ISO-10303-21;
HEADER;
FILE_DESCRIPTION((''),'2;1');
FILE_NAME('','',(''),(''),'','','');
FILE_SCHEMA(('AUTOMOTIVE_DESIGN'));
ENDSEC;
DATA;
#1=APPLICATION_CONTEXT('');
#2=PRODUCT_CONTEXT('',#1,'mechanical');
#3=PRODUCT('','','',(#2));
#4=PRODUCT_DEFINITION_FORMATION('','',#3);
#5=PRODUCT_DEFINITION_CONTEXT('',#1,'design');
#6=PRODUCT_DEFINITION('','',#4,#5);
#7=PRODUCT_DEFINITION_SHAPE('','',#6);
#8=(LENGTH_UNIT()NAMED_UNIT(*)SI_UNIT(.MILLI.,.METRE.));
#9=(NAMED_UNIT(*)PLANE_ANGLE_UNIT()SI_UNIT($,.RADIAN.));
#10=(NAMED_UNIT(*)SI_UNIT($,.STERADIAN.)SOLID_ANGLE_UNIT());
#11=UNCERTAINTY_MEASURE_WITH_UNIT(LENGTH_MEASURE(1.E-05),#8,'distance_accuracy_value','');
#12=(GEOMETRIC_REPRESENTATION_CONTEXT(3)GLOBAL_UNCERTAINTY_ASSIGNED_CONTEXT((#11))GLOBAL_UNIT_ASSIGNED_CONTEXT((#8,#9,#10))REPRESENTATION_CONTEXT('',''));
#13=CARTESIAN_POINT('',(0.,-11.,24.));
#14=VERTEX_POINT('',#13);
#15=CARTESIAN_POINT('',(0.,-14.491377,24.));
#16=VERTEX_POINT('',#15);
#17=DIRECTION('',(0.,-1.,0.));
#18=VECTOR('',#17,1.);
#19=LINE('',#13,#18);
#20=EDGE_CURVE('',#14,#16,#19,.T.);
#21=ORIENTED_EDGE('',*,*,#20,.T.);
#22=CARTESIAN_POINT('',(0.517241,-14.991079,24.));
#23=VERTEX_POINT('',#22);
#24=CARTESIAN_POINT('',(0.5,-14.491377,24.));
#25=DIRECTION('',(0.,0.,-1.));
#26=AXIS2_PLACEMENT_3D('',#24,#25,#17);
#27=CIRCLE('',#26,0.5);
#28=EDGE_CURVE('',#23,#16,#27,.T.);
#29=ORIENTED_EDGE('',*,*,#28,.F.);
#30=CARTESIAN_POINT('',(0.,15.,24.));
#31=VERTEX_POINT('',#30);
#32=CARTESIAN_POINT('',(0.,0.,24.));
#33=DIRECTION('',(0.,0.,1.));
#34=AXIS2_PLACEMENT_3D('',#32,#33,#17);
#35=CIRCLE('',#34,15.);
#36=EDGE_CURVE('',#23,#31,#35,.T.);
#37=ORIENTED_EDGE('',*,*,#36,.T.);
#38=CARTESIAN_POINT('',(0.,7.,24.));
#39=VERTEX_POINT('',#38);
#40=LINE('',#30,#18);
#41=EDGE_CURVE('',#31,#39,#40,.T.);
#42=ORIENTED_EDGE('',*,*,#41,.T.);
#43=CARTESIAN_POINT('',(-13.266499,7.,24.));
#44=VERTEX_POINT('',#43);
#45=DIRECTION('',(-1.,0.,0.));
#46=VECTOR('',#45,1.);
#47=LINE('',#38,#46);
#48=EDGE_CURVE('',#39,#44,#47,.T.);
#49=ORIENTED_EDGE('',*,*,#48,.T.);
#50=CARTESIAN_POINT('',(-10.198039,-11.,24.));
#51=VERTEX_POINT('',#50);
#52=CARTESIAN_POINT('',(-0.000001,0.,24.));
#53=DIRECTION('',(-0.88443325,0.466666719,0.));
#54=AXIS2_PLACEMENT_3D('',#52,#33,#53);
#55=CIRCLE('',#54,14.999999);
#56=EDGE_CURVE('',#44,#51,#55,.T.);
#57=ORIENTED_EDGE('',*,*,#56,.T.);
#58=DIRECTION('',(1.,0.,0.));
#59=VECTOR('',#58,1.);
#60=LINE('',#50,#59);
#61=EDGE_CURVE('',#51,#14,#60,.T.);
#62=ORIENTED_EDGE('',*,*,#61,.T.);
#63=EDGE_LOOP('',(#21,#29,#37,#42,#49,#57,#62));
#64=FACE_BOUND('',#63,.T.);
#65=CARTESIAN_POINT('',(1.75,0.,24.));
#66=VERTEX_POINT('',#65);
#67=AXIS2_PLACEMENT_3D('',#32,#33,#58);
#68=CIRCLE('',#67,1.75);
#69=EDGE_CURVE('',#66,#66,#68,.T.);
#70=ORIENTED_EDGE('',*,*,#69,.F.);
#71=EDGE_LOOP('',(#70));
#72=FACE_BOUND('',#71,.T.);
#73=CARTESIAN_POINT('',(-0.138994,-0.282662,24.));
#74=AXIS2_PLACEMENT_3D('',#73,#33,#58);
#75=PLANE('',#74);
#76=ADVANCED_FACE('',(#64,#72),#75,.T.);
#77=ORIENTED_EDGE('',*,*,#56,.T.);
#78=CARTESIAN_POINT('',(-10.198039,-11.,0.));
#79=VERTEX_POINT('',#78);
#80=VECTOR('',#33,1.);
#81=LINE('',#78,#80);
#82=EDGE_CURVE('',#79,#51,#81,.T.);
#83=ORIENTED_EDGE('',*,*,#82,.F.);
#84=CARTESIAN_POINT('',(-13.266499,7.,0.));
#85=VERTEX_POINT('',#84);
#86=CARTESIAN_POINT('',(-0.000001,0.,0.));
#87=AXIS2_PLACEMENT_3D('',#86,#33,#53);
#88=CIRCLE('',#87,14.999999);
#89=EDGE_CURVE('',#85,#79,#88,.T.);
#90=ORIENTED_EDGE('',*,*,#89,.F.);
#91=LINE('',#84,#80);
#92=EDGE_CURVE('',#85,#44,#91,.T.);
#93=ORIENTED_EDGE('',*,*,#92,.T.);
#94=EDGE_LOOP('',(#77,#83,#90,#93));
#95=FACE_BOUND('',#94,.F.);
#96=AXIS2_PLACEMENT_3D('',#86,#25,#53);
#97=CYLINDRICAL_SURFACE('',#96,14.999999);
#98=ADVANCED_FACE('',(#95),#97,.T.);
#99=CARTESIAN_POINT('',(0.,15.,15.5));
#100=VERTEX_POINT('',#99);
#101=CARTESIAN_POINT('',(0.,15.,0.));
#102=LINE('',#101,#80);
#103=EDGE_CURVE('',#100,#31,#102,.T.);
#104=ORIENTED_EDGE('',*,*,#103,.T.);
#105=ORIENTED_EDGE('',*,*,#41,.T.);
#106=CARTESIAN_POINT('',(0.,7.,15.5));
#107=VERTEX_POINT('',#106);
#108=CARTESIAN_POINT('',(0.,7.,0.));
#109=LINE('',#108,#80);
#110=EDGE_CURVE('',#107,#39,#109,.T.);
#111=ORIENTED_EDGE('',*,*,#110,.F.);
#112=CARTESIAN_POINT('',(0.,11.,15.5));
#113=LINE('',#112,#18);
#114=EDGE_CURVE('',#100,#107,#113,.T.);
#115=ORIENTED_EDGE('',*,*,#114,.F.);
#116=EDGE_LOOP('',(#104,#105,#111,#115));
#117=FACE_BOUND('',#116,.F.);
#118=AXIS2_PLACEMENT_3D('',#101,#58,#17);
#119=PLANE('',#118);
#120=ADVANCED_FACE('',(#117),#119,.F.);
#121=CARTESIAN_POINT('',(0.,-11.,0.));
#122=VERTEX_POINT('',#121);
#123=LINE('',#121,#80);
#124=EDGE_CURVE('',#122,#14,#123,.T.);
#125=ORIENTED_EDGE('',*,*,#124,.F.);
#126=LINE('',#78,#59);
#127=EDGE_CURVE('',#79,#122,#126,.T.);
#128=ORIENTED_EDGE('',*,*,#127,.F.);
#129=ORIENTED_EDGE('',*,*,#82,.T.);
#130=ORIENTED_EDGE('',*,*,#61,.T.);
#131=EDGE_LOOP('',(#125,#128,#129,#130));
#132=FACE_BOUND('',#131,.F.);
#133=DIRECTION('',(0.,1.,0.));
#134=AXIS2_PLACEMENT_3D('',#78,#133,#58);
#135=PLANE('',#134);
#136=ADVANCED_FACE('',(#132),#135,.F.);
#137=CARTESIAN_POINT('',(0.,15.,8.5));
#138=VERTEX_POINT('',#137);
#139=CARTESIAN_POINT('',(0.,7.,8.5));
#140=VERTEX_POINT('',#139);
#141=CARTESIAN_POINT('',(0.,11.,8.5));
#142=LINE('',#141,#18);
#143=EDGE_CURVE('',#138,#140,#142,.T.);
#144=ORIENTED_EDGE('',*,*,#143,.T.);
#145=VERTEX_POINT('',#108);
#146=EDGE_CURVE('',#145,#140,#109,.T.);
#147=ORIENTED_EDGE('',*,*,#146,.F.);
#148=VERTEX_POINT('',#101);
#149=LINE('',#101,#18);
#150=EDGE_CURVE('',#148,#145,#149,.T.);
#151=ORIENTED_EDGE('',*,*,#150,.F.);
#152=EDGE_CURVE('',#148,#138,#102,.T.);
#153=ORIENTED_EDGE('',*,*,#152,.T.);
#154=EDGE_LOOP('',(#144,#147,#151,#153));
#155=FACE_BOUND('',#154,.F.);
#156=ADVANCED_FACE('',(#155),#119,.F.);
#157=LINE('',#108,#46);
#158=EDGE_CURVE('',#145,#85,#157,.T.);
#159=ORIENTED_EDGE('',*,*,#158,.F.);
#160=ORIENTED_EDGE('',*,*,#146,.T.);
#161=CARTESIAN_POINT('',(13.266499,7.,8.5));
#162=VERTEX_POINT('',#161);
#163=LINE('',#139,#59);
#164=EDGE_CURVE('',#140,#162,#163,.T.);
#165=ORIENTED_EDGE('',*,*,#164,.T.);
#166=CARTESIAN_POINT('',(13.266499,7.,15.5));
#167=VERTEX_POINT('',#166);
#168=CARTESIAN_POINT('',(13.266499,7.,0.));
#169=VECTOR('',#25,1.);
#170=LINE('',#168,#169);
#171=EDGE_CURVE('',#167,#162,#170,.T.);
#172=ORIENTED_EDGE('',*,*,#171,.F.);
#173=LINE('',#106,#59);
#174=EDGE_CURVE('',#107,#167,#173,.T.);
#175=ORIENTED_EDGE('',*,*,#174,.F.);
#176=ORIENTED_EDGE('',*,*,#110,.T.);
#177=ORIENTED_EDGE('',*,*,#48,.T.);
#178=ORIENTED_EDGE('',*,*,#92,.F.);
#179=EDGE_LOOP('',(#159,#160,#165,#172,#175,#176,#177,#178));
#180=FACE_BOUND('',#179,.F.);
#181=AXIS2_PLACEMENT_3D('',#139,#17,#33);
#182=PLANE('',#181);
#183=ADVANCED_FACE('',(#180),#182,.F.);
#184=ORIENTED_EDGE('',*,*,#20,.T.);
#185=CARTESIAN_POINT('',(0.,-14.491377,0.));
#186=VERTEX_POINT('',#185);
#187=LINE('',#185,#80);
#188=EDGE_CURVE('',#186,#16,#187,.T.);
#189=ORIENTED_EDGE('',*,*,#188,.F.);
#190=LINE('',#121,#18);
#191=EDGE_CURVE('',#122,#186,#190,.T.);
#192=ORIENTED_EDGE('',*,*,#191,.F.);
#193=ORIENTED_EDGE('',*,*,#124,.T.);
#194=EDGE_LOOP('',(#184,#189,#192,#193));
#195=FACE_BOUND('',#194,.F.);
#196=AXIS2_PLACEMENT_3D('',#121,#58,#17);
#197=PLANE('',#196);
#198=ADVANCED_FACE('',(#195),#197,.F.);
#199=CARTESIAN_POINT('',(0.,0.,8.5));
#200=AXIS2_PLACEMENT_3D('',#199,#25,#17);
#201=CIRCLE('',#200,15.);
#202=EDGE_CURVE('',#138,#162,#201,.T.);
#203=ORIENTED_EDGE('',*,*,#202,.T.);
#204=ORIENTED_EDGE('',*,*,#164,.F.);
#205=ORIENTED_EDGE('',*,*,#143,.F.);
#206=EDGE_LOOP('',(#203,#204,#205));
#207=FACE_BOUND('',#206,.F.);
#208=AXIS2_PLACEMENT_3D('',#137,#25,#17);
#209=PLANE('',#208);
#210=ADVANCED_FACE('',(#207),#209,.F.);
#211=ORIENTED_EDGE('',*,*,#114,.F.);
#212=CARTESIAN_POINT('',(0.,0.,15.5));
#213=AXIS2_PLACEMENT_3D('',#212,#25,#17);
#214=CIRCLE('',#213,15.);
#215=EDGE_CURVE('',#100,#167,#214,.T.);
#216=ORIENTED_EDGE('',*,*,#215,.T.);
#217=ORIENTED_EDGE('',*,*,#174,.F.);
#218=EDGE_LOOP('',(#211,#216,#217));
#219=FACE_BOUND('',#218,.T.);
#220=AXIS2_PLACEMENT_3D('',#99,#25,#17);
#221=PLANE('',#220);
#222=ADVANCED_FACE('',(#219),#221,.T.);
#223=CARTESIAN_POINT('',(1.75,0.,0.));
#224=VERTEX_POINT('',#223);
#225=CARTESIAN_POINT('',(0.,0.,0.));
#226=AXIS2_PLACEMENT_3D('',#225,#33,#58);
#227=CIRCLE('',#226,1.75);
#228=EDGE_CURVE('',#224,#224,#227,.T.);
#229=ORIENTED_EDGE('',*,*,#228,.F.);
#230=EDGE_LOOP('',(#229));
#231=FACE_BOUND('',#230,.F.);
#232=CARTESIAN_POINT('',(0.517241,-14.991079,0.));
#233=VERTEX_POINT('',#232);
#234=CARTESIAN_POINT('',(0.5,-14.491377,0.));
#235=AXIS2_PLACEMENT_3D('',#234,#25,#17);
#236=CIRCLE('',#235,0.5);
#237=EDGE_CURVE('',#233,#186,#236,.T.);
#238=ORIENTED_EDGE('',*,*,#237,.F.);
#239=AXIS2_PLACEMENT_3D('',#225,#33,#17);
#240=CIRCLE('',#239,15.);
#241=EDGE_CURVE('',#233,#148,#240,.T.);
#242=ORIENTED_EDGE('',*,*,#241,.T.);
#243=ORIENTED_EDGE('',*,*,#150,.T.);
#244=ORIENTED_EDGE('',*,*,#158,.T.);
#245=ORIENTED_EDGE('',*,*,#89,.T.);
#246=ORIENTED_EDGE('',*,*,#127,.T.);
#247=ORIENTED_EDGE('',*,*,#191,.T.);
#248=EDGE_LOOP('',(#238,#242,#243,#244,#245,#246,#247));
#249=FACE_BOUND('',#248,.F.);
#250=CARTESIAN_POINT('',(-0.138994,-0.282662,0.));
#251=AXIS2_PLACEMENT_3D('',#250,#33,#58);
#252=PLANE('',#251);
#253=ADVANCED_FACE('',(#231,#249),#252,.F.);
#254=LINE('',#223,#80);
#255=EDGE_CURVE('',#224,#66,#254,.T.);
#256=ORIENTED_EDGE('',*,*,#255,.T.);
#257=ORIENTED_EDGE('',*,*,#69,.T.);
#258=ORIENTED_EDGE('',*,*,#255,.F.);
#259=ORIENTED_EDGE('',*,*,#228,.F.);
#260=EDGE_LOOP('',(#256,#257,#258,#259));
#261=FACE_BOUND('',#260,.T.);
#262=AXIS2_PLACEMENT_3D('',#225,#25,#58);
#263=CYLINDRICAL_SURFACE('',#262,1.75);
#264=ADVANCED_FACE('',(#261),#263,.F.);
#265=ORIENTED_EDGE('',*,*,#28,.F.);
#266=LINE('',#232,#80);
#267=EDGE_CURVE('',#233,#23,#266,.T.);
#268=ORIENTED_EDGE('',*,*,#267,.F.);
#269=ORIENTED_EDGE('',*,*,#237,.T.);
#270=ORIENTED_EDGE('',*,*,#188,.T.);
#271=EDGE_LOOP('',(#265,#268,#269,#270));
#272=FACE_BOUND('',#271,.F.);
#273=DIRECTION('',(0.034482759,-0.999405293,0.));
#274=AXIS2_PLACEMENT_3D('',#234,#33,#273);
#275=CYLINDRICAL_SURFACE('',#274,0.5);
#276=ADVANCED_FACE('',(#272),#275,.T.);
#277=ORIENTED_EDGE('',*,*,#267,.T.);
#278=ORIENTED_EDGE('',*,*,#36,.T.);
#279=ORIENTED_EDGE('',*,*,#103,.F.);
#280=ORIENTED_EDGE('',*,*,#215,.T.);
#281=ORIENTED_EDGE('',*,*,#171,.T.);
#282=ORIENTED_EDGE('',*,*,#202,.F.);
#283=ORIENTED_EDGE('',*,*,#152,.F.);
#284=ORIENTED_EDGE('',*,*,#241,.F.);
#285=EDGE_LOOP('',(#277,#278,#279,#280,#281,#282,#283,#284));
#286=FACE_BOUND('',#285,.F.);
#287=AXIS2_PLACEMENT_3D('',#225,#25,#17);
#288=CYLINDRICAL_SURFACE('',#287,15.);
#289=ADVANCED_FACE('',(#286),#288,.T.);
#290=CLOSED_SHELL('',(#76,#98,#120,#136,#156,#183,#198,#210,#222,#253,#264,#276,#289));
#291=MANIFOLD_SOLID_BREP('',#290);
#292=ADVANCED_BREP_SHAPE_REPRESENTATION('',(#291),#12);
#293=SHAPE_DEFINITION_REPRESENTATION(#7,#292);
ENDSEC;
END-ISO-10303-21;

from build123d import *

# Parameters (mm, degrees)
F0_R     = 1.75
F1_DEPTH = 24
F2_R     = 0.5
F3_W     = 8
F3_H     = 7
F4_DEPTH = 15.001


with BuildPart() as f1:
    # F0 (on Top) → F1 (new body)
    with BuildSketch(Plane.XY):
        with BuildLine():
            Line((0, 7), (-13.266499, 7))
            ThreePointArc((-13.266499, 7), (-14.786688, -2.520687), (-10.198039, -11))
            Line((-10.198039, -11), (0, -11))
            Line((0, -11), (0, -15))
            ThreePointArc((0, -15), (15, 0), (0, 15))
            Line((0, 15), (0, 7))
        make_face()
        Circle(F0_R, mode=Mode.SUBTRACT)
    extrude(amount=F1_DEPTH)

    # F2
    f2_edges = [f1.edges().sort_by_distance(p)[0] for p in [
        (0, -15, 12),
    ]]
    fillet(f2_edges, radius=F2_R)

    # F3 (on face) → F4 (cut, through all)
    with BuildSketch(Plane(origin=(0, 0, 0), x_dir=(0, -1, 0), z_dir=(-1, 0, 0))):
        with Locations((-11, 12)):
            Rectangle(F3_W, F3_H)
    extrude(amount=-F4_DEPTH, mode=Mode.SUBTRACT)


solid = f1.part
